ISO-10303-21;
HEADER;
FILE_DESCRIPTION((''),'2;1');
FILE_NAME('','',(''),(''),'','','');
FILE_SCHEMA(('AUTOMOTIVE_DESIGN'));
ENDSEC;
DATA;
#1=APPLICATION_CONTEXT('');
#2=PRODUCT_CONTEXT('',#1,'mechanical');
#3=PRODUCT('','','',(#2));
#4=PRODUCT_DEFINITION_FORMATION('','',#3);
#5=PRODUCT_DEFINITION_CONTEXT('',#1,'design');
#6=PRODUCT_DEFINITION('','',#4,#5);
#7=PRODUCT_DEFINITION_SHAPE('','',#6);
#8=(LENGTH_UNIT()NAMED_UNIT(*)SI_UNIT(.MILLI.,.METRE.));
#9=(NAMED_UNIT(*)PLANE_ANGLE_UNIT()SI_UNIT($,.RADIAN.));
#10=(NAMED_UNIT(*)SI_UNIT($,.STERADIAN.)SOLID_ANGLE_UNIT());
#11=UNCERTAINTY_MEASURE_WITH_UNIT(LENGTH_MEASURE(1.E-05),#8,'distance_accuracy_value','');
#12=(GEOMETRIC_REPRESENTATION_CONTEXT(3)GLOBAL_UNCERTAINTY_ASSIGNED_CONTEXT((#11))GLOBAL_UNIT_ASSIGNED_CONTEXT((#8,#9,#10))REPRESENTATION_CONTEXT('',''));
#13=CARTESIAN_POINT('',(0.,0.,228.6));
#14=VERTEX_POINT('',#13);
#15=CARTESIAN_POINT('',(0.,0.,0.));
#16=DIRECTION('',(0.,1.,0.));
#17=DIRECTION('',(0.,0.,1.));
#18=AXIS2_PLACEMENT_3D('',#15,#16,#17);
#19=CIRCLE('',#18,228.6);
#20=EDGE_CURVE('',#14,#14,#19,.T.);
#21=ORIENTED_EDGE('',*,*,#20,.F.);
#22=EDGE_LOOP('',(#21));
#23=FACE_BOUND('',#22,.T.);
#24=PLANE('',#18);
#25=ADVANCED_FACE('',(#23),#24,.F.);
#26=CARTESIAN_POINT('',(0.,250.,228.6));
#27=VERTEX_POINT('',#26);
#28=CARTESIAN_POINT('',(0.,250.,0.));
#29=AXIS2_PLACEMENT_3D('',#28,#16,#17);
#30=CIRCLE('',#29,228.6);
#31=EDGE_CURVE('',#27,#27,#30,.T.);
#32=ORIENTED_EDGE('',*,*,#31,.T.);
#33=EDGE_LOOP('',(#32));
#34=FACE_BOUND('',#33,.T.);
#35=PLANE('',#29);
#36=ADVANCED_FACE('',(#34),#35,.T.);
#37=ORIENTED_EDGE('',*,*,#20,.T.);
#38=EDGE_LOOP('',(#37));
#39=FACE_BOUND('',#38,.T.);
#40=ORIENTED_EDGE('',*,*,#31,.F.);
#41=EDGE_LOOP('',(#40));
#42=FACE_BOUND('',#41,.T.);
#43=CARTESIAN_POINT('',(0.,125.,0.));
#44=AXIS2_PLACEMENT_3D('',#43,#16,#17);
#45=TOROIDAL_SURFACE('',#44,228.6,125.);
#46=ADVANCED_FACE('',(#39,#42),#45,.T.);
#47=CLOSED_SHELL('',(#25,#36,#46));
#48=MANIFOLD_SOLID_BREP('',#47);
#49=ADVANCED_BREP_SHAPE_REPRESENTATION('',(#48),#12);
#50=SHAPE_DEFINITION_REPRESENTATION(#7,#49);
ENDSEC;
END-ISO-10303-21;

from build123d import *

# Parameters (mm, degrees)
SKETCH1_R           = 228.6
BOSS_EXTRUDE1_DEPTH = 250


with BuildPart() as part:
    # Sketch1 → Boss-Extrude1 (new body)
    with BuildSketch(Plane(origin=(0, 0, 0), x_dir=(1, 0, 0), z_dir=(0, 1, 0))):
        with Locations(Location((0, 0, 0), (0, 0, 270))):
            Circle(SKETCH1_R)
    extrude(amount=BOSS_EXTRUDE1_DEPTH)

    # Sketch2 → Revolve1 (revolve)
    with BuildSketch(Plane.XY, mode=Mode.PRIVATE) as revolve1_sk:
        with BuildLine():
            Line((228.6, 250), (228.6, 0))
            ThreePointArc((228.6, 0), (353.6, 125), (228.6, 250))
        make_face()
    revolve(revolve1_sk.sketch.rotate(Axis((0, 445.310887901, 0), (0, -1, 0)), 90), axis=Axis((0, 445.310887901, 0), (0, -1, 0)))


solid = part.part
